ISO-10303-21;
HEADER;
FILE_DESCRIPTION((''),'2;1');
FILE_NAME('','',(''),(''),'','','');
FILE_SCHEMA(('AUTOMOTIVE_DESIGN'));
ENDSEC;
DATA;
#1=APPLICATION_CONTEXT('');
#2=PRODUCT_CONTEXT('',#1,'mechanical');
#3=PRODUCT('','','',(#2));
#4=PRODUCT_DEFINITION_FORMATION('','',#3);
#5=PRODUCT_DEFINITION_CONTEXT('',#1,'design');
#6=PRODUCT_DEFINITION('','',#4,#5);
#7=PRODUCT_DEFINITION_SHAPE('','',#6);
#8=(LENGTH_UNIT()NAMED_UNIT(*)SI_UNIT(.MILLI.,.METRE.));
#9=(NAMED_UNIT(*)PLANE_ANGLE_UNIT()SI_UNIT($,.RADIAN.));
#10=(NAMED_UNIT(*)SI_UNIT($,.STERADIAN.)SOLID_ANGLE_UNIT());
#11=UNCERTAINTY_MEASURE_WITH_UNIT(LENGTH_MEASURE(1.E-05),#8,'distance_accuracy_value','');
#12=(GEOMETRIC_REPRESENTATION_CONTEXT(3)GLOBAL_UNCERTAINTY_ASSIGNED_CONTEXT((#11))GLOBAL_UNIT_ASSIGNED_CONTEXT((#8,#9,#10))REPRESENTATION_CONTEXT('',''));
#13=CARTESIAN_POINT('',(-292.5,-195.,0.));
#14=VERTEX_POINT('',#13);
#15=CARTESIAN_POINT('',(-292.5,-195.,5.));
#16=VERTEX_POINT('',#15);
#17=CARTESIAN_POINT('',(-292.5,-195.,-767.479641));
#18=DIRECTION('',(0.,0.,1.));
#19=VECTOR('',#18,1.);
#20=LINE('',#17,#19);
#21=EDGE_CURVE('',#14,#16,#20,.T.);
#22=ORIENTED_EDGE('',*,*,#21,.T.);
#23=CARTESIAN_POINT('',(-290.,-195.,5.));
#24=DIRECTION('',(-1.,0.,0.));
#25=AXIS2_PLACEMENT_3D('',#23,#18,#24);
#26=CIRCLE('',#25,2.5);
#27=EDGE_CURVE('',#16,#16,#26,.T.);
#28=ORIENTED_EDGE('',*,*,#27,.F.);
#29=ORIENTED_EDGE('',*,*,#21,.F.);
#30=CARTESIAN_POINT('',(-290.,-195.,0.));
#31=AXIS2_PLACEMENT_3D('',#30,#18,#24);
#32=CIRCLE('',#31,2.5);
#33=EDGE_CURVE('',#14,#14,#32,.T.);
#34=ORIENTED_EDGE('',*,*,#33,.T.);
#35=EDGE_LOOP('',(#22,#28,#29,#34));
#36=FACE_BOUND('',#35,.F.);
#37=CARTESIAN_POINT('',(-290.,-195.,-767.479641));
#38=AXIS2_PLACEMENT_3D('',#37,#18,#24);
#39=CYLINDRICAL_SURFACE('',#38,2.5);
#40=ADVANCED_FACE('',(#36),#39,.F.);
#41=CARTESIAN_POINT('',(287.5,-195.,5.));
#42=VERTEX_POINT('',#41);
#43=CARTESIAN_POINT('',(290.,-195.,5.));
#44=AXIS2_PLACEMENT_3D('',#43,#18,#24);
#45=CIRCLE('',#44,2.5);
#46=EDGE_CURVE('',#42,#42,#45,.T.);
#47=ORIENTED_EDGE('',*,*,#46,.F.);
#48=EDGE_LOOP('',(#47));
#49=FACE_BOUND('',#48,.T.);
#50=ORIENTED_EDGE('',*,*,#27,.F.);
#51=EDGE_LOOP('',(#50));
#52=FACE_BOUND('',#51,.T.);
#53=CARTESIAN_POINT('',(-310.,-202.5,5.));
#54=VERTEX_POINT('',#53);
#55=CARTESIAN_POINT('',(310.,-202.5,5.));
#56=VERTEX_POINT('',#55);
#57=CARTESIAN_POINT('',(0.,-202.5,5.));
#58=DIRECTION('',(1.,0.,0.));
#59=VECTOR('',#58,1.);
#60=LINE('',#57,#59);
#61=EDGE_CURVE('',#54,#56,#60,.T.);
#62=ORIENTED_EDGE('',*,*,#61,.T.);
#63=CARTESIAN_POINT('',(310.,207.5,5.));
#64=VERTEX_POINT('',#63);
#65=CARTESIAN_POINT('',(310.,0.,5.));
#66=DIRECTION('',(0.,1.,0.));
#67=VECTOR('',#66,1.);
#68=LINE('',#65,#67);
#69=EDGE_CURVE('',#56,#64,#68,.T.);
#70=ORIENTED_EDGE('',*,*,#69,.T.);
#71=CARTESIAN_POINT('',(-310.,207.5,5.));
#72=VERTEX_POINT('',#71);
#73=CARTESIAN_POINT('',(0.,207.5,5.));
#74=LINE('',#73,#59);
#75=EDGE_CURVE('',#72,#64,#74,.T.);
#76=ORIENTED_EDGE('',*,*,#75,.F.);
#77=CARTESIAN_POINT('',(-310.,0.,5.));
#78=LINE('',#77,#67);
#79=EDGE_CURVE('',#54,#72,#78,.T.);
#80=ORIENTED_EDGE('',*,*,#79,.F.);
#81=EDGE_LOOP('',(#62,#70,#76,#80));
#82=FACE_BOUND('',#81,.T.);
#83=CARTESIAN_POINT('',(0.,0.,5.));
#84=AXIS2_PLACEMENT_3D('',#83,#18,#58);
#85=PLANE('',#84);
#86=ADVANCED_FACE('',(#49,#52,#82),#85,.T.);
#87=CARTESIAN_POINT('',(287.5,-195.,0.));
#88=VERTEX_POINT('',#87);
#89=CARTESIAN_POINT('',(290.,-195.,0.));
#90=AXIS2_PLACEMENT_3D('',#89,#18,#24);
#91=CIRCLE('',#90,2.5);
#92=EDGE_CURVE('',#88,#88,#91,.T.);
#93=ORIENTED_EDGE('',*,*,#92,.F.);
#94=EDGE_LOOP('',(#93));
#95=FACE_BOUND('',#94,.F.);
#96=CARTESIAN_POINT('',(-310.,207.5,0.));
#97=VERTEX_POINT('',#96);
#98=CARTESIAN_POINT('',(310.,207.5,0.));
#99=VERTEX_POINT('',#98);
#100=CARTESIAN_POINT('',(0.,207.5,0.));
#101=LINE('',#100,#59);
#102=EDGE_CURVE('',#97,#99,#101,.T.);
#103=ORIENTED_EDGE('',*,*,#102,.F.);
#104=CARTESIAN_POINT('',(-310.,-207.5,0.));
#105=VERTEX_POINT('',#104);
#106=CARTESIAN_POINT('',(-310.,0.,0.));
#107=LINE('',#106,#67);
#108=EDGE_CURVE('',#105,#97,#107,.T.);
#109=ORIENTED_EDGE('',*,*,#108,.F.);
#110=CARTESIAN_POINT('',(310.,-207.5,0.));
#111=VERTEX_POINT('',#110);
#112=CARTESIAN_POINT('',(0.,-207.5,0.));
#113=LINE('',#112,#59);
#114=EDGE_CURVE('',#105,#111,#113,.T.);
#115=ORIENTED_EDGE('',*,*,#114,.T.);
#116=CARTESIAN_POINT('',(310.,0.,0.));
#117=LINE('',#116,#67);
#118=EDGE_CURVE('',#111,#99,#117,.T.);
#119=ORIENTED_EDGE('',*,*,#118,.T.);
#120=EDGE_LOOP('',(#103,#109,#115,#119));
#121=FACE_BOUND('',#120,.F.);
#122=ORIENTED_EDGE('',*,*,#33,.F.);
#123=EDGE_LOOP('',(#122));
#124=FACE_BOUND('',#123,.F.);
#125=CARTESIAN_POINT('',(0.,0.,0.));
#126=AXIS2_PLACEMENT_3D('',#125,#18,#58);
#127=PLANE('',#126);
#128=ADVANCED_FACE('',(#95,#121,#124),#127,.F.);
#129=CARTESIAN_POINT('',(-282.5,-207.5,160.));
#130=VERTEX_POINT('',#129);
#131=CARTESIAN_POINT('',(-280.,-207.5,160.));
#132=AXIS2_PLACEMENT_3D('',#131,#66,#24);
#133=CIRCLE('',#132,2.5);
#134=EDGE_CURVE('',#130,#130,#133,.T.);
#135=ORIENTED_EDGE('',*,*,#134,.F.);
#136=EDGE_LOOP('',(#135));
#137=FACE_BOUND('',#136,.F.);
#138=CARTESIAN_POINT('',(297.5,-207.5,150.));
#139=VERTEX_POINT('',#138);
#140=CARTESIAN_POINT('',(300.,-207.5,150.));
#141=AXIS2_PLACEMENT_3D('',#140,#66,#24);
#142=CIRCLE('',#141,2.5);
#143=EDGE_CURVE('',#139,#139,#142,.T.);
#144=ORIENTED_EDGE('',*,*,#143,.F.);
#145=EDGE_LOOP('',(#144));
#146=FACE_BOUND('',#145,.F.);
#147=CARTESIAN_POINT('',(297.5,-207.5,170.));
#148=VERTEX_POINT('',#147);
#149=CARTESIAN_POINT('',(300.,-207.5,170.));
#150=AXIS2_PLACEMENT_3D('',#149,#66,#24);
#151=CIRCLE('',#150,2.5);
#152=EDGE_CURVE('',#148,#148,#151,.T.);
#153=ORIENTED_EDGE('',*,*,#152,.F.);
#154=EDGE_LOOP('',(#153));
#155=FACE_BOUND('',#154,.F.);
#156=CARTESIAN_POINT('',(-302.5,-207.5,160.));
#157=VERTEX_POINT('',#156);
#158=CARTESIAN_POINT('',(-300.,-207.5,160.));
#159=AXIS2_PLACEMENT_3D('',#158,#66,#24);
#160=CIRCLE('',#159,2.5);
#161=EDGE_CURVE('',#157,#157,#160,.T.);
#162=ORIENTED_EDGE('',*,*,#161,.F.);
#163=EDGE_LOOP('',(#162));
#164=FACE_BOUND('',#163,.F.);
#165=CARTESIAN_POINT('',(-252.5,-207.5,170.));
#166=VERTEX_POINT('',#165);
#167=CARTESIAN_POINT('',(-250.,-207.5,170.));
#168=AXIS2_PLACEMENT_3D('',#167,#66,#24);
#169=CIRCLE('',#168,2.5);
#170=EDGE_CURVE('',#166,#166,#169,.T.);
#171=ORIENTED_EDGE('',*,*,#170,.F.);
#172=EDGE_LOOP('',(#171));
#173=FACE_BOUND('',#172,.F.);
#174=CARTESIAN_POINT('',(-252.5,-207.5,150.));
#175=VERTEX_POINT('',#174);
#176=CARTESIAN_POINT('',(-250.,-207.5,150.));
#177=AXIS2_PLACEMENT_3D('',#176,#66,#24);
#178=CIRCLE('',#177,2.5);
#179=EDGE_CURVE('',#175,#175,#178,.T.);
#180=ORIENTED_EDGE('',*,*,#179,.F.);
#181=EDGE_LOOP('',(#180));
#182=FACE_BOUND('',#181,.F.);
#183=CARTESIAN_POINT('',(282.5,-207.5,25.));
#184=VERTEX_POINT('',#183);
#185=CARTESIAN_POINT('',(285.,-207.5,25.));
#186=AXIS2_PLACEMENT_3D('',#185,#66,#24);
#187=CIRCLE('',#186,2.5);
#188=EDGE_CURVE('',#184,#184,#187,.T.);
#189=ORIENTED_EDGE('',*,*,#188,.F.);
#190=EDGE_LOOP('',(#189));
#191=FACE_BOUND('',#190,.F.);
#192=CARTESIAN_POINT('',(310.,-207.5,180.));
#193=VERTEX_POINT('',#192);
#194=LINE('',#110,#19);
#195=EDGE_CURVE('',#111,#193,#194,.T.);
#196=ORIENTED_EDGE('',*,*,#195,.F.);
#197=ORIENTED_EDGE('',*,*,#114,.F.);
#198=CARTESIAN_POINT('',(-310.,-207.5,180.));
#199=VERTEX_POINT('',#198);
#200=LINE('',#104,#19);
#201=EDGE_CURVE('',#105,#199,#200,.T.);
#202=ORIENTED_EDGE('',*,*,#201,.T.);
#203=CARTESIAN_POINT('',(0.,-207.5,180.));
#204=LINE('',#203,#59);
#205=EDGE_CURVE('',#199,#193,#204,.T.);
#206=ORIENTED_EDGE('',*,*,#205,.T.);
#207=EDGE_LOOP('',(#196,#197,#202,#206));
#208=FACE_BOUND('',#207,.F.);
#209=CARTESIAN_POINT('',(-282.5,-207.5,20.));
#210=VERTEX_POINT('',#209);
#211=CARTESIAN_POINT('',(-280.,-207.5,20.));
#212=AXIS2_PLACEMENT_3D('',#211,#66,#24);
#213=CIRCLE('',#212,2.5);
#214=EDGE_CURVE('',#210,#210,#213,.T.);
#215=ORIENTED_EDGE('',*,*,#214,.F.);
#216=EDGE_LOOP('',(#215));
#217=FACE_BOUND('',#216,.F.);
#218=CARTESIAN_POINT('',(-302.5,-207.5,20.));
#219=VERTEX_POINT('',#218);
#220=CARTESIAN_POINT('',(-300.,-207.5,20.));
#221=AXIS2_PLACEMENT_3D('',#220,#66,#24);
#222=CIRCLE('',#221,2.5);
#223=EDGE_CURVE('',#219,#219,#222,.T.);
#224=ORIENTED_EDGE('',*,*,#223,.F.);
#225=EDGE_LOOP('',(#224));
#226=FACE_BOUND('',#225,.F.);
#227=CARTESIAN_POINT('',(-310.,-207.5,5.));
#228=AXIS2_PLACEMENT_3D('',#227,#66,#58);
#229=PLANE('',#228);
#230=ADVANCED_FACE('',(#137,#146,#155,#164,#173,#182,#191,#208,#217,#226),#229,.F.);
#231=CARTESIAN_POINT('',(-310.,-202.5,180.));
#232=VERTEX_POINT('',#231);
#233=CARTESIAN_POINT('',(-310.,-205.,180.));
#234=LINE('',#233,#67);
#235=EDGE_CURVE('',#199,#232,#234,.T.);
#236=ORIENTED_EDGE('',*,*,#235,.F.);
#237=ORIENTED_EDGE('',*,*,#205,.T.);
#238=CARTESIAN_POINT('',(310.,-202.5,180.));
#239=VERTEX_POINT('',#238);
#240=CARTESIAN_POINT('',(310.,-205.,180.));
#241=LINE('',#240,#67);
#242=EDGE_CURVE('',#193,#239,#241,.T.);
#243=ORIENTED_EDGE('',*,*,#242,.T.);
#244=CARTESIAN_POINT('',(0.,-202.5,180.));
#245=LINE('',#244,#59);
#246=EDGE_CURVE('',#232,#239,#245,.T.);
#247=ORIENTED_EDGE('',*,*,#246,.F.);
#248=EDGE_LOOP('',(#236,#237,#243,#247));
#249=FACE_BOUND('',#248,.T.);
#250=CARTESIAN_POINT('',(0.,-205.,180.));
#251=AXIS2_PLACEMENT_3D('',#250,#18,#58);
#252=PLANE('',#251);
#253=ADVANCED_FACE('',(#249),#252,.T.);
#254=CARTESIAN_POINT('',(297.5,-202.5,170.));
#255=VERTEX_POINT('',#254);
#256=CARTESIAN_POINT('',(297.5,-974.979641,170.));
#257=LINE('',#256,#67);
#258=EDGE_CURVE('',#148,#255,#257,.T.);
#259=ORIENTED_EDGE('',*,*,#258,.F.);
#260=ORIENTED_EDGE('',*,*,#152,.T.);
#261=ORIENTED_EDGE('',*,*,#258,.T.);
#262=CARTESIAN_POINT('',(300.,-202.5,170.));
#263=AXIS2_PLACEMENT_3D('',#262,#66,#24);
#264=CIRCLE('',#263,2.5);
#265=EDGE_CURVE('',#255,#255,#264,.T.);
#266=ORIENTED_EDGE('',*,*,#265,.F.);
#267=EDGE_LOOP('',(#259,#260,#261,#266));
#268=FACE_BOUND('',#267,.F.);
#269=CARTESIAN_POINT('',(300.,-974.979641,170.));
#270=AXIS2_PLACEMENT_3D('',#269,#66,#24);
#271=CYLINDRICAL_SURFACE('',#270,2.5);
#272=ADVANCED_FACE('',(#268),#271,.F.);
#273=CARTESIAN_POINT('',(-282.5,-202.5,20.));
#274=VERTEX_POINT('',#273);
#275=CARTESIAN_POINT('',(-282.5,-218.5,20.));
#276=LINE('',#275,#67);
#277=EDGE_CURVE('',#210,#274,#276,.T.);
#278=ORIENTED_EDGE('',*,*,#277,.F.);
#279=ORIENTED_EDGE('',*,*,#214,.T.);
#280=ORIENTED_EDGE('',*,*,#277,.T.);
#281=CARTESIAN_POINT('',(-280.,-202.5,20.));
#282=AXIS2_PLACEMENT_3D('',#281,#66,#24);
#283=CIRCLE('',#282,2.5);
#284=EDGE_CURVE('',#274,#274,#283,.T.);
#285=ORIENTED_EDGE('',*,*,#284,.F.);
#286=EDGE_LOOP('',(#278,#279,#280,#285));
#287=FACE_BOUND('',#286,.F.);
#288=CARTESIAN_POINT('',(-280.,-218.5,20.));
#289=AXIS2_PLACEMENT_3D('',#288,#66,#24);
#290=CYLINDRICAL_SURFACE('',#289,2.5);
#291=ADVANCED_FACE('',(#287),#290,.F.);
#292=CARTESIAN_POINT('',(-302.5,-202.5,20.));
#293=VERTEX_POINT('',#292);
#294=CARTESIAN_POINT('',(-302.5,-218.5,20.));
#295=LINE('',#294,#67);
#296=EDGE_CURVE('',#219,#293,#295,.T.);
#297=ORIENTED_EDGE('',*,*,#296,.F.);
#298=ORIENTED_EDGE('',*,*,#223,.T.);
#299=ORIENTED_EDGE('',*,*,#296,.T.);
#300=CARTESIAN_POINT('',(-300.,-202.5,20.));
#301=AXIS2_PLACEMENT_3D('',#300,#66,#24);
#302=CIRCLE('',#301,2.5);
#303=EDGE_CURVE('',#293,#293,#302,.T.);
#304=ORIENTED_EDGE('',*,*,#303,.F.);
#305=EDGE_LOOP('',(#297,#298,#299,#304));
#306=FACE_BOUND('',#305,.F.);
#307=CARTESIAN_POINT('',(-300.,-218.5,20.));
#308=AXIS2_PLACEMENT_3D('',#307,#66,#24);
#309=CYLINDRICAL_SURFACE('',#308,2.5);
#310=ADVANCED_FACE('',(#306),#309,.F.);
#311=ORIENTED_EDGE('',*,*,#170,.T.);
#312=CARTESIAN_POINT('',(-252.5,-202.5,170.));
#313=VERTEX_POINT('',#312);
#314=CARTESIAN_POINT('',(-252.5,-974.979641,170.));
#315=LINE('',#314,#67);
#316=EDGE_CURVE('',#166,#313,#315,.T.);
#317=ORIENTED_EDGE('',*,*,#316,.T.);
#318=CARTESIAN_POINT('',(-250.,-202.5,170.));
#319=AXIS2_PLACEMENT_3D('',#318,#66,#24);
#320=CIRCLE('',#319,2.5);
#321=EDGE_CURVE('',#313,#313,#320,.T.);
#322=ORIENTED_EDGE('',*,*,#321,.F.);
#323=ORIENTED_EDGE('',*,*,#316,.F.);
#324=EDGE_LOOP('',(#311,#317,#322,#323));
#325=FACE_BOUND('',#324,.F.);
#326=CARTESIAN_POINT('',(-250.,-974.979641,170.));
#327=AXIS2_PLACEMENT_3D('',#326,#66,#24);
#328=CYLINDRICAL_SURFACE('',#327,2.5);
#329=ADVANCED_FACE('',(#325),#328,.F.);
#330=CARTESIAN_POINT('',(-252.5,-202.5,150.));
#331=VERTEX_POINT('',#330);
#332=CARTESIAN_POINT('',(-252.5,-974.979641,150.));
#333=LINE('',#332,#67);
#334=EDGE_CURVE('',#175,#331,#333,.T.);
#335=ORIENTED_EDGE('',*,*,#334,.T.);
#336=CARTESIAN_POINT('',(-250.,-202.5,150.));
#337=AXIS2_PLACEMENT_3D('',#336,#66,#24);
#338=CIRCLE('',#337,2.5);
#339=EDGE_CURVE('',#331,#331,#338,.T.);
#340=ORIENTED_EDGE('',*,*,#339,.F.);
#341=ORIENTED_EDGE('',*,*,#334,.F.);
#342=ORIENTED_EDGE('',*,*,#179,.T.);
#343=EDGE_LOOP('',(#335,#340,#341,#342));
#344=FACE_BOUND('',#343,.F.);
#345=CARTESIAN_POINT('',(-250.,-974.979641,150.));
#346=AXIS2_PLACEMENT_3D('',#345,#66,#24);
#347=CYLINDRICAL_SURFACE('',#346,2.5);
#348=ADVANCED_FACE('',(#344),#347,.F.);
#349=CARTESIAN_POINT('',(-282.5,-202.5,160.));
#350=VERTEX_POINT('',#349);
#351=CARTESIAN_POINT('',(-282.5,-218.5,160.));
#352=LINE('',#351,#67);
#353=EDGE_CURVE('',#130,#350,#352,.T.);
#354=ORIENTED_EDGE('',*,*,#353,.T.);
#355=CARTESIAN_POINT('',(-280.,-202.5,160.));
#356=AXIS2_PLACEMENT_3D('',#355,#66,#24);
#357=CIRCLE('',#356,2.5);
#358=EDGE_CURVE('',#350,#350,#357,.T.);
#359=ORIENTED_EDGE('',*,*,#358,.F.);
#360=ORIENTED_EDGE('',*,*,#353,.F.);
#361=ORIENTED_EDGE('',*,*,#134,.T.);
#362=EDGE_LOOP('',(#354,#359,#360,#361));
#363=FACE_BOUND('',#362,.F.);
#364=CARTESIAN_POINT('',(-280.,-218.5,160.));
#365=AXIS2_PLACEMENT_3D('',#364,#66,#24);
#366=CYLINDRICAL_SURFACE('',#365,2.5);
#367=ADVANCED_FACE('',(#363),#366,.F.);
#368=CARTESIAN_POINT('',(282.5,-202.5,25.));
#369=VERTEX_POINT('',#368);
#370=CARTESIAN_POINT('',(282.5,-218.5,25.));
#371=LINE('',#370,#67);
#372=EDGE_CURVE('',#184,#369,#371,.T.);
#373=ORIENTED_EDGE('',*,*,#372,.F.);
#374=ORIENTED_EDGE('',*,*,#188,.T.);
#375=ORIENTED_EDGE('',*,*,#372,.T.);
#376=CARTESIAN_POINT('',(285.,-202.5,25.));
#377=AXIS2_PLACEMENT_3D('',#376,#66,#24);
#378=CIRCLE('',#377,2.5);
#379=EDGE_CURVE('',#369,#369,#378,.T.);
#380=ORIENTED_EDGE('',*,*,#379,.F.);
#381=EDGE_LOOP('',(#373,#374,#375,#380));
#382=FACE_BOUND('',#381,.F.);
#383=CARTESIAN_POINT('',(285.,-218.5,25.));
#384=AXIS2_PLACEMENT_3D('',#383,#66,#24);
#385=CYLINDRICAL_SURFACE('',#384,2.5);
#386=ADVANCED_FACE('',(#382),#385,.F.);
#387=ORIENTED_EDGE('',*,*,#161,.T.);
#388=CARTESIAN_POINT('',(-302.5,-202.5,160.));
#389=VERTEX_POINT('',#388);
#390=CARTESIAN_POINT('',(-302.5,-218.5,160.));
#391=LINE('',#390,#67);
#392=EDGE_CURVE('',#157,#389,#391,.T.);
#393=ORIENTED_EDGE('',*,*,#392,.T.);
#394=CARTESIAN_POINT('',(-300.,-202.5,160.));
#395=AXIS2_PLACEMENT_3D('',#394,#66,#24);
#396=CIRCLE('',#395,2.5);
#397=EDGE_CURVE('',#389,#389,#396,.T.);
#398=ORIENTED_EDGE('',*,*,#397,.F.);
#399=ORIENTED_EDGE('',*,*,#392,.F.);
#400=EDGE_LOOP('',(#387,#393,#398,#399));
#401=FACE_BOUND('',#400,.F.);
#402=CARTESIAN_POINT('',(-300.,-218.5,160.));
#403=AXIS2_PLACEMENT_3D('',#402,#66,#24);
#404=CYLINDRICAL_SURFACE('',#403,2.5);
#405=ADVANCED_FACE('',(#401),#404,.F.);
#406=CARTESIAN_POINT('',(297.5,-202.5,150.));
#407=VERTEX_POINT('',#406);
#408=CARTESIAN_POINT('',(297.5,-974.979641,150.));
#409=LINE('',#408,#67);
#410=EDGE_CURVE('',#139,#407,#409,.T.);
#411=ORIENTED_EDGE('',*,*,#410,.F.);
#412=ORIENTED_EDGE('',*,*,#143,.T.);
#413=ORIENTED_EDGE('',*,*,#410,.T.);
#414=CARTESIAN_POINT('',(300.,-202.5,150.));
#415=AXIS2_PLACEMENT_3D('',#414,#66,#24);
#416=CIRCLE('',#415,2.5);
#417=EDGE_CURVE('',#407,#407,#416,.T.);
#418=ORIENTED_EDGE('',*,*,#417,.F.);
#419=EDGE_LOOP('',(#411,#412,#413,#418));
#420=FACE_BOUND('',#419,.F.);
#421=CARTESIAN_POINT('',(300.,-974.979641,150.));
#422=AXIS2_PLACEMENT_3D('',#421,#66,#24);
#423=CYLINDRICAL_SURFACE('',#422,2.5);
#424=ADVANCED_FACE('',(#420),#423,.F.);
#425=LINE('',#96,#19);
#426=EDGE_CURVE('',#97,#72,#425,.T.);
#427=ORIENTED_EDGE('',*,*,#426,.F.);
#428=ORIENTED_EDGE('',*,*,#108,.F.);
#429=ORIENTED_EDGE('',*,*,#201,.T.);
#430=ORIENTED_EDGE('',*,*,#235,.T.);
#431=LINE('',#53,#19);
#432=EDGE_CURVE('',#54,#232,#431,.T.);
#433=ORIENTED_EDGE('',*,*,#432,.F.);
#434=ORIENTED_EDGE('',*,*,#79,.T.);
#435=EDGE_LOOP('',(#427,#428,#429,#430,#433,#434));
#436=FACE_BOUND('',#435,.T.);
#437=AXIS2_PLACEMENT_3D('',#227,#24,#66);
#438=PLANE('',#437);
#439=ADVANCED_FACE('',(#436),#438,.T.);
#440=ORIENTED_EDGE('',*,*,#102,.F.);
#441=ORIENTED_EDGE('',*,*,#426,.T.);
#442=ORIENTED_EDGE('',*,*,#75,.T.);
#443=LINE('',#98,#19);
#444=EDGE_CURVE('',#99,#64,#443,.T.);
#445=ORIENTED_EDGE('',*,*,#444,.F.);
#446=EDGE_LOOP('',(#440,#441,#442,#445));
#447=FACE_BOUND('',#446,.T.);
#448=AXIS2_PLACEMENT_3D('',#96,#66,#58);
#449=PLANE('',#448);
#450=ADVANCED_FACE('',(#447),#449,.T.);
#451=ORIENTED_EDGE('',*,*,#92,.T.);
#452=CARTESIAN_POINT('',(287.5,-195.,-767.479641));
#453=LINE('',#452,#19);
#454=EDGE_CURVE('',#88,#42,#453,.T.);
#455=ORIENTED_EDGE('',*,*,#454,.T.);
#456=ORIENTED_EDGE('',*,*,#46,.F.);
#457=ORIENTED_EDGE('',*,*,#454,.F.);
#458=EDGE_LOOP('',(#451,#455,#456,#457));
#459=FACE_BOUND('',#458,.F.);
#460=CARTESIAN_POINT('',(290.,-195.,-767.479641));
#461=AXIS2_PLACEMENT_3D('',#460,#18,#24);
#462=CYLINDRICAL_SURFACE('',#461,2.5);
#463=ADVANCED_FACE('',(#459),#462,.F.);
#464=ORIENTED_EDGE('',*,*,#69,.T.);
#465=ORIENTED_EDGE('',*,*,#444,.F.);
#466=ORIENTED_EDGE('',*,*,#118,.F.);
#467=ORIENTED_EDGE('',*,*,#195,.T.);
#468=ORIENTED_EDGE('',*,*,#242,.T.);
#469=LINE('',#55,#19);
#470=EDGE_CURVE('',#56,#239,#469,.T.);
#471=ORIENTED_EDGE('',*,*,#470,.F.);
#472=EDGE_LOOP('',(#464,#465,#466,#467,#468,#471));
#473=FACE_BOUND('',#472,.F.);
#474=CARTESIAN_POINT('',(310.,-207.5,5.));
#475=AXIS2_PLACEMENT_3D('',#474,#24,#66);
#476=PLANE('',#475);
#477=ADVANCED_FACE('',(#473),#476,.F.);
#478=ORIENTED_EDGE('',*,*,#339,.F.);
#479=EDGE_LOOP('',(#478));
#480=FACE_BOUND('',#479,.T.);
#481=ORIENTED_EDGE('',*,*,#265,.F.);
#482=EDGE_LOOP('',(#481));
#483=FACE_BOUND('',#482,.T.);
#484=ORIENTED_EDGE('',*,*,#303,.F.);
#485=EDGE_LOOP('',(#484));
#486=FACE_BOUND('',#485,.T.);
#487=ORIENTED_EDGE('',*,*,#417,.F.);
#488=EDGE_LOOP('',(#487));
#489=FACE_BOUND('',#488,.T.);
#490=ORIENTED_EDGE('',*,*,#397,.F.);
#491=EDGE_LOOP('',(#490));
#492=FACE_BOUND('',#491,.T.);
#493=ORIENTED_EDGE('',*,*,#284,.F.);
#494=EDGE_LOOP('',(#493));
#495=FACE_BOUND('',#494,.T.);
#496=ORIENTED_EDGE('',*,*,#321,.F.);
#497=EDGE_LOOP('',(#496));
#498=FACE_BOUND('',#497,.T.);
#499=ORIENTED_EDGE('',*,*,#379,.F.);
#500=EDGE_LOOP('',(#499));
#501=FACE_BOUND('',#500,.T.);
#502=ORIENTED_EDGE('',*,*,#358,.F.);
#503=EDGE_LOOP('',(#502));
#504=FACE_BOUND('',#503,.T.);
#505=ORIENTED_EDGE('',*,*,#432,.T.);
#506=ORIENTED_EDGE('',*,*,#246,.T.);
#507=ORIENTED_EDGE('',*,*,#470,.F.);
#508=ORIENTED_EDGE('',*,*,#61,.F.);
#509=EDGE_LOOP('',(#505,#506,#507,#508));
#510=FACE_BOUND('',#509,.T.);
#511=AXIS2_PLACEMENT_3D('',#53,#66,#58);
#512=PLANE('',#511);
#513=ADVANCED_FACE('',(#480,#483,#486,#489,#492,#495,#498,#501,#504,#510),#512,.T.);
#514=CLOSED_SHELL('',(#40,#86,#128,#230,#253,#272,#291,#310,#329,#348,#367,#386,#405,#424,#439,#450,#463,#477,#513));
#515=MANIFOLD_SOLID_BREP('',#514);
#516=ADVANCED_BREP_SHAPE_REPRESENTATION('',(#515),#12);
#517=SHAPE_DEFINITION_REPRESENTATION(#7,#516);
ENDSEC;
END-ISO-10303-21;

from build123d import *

# Parameters (mm, degrees)
F0_W      = 620
F0_H      = 415
F1_DEPTH  = 5
F2_W      = 620
F2_H      = 5
F3_DEPTH  = 175
F5_D      = 5
F7_D      = 5
F9_D      = 5
F11_D     = 5
F15_D     = 5
F17_D     = 5
F19_D     = 5
F19_DEPTH = 11
F20_D     = 5
F20_DEPTH = 11


with BuildPart() as f1:
    # F0 (on Top) → F1 (new body)
    with BuildSketch(Plane.XY):
        Rectangle(F0_W, F0_H)
    extrude(amount=F1_DEPTH)

    # F2 (on face) → F3 (join)
    with BuildSketch(Plane.XY.offset(5)):
        with Locations((0, -205)):
            Rectangle(F2_W, F2_H)
    extrude(amount=F3_DEPTH)

    # F5 (through all)
    with Locations(Plane.XZ.offset(207.5)):
        with Locations((300, 170)):
            Hole(F5_D / 2)

    # F7 (through all)
    with Locations(Plane.XZ.offset(207.5)):
        with Locations((300, 150)):
            Hole(F7_D / 2)

    # F9 (through all)
    with Locations(Plane.XZ.offset(207.5)):
        with Locations((-250, 170)):
            Hole(F9_D / 2)

    # F11 (through all)
    with Locations(Plane.XZ.offset(207.5)):
        with Locations((-250, 150)):
            Hole(F11_D / 2)

    # F15 (through all)
    with Locations(Plane(origin=(0, 0, 0), x_dir=(1, 0, 0), z_dir=(0, 0, -1))):
        with Locations((290, 195)):
            Hole(F15_D / 2)

    # F17 (through all)
    with Locations(Plane(origin=(0, 0, 0), x_dir=(1, 0, 0), z_dir=(0, 0, -1))):
        with Locations((-290, 195)):
            Hole(F17_D / 2)

    # F19
    with Locations(Plane.XZ.offset(207.5)):
        with Locations((285, 25)):
            Hole(F19_D / 2, depth=F19_DEPTH)

    # F20
    with Locations(Plane.XZ.offset(207.5)):
        with Locations((-300, 20), (-280, 20), (-300, 160), (-280, 160)):
            Hole(F20_D / 2, depth=F20_DEPTH)


solid = f1.part
